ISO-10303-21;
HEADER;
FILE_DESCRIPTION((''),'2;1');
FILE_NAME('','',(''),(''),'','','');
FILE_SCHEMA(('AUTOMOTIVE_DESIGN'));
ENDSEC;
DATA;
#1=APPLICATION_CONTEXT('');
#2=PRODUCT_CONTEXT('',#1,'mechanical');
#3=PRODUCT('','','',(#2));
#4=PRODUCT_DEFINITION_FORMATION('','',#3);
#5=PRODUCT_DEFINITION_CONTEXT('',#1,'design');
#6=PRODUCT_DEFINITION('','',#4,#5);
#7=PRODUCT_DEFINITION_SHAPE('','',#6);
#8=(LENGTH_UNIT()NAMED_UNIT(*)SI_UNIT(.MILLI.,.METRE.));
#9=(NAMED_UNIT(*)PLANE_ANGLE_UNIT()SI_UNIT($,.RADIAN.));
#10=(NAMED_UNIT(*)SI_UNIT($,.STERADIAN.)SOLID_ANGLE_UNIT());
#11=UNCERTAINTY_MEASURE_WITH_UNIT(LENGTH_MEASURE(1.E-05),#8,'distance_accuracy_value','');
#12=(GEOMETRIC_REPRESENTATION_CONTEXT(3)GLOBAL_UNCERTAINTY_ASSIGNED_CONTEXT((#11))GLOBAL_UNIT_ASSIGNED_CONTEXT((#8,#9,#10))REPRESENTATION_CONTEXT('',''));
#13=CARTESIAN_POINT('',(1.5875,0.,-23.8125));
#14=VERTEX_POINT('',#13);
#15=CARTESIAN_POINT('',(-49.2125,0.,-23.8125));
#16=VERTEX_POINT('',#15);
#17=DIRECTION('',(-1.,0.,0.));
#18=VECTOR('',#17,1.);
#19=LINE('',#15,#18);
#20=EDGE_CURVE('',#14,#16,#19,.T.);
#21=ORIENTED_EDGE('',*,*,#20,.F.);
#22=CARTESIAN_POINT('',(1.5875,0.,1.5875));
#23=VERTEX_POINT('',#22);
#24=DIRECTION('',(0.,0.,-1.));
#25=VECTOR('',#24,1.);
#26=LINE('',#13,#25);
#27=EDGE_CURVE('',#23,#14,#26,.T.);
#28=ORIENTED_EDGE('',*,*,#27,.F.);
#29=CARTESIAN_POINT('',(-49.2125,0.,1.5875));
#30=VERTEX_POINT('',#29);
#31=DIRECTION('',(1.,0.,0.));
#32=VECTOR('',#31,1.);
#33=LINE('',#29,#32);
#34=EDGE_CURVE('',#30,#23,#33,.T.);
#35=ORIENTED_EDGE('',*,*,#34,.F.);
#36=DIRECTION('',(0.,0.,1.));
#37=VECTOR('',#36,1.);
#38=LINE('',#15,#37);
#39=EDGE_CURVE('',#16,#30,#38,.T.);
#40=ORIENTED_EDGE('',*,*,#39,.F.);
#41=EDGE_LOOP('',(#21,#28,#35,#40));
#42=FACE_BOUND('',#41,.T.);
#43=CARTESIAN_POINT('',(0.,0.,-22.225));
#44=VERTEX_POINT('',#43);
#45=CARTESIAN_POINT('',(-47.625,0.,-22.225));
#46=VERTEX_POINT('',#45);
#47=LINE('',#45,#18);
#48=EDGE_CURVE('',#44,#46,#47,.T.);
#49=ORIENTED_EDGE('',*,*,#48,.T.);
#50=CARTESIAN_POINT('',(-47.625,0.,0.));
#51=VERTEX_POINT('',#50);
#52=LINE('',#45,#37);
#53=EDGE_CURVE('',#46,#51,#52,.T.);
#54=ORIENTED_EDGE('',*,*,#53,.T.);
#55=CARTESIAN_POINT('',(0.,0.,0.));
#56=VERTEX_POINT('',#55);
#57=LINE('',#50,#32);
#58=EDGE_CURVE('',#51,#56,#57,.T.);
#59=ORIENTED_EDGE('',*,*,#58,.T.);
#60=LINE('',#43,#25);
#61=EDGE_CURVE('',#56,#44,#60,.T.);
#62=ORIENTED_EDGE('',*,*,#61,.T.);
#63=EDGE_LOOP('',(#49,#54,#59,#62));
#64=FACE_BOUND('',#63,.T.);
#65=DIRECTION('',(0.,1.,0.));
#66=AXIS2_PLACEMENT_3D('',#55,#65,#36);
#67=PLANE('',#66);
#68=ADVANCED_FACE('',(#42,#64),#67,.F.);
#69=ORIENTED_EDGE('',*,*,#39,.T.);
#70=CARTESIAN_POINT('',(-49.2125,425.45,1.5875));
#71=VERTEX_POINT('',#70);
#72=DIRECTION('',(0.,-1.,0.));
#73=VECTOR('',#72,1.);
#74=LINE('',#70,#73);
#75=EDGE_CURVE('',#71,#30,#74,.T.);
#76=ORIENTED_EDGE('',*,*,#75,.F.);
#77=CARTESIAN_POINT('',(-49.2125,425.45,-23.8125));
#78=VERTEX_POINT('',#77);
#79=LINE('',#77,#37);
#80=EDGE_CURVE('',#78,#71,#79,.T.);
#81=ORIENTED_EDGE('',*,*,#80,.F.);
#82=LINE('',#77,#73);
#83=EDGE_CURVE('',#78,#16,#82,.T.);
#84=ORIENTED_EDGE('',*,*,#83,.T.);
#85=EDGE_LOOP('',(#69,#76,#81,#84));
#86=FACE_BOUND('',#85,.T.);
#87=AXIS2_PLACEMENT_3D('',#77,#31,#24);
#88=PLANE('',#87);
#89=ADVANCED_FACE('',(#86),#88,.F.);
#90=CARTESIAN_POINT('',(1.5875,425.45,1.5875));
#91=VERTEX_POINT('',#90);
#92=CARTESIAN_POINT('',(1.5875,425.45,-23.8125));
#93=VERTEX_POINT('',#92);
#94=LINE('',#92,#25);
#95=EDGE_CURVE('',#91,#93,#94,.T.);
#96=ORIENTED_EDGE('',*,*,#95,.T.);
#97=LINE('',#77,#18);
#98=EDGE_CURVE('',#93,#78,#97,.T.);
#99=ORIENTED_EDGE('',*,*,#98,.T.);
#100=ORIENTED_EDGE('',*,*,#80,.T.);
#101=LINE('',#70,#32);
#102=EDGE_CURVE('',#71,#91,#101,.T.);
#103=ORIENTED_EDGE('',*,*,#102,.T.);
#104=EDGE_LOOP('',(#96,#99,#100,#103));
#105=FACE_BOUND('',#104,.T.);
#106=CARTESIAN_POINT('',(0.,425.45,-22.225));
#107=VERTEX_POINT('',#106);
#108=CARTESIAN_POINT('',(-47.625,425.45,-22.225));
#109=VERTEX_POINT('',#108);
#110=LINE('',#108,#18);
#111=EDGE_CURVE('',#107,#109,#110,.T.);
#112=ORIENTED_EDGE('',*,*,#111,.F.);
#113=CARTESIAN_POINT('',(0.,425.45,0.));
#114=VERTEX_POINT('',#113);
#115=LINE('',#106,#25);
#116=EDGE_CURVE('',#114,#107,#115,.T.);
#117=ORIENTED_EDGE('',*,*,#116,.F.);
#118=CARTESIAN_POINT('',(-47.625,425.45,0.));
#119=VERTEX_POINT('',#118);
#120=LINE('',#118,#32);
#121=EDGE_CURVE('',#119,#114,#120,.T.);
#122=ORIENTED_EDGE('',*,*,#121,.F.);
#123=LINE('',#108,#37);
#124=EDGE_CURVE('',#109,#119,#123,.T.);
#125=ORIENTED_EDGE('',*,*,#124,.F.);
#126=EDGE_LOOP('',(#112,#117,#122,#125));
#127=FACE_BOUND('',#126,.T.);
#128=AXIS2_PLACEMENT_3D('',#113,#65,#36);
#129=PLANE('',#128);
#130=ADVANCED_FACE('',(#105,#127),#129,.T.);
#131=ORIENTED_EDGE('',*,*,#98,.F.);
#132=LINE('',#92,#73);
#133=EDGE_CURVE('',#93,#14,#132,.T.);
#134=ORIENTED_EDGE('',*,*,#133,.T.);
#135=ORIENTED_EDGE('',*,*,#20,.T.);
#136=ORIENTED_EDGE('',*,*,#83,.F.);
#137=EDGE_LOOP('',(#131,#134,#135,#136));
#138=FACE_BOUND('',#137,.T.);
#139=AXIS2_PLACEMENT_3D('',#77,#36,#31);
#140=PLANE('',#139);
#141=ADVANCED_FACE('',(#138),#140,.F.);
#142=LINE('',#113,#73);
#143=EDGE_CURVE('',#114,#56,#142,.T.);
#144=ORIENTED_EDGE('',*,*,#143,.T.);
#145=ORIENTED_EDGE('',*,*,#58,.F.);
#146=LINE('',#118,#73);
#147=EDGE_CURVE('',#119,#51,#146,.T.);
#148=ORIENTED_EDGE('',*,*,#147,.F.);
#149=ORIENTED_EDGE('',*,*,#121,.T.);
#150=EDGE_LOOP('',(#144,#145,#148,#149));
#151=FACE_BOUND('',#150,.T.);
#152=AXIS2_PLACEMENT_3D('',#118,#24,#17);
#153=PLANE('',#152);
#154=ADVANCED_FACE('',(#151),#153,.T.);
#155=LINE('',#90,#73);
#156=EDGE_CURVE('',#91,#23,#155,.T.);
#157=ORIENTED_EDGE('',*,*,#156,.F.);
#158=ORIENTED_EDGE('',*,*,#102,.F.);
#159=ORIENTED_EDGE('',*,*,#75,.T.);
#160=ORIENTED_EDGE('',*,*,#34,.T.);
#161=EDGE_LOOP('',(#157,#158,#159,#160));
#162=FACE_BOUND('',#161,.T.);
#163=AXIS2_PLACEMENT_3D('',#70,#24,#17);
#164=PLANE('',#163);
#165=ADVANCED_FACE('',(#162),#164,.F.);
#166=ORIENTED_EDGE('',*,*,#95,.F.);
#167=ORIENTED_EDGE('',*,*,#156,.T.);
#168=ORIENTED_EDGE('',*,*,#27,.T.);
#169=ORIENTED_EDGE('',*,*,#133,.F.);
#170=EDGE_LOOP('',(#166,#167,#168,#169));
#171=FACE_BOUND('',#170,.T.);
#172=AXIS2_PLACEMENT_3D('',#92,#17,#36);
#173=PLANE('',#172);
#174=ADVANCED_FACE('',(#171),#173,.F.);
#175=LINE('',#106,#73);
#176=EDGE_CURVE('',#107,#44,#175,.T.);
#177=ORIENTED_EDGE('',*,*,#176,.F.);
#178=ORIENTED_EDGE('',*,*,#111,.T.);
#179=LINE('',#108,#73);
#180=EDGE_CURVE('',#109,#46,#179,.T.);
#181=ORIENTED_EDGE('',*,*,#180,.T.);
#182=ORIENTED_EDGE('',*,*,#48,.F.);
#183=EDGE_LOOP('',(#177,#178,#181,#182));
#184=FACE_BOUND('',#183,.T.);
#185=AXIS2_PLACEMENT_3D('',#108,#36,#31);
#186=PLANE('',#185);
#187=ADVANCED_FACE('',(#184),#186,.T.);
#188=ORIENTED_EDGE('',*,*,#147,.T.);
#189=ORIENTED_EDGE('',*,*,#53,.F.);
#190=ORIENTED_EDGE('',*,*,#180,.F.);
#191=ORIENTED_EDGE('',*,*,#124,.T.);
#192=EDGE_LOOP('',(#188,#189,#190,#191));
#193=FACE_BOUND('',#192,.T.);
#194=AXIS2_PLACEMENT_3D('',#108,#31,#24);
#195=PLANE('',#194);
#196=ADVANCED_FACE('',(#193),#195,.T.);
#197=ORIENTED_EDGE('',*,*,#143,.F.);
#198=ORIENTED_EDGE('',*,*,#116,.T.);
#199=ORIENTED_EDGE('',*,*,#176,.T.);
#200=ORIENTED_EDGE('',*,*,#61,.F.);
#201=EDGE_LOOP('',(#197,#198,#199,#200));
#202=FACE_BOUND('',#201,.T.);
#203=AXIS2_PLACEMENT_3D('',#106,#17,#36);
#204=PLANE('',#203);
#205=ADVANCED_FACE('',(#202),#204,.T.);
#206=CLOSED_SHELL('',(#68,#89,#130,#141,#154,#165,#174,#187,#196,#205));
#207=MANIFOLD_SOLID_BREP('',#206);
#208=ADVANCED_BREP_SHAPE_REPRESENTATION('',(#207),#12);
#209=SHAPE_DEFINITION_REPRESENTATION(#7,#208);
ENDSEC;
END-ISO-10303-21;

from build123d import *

# Parameters (mm, degrees)
SKETCH1_W           = 50.8
SKETCH1_H           = 25.4
SKETCH1_W_2         = 47.625
SKETCH1_H_2         = 22.225
BOSS_EXTRUDE1_DEPTH = 425.45


with BuildPart() as part:
    # Sketch1 → Boss-Extrude1 (new body)
    with BuildSketch(Plane(origin=(0, 0, 0), x_dir=(1, 0, 0), z_dir=(0, 1, 0))):
        with Locations((-23.8125, 11.1125)):
            Rectangle(SKETCH1_W, SKETCH1_H)
        with Locations((-23.8125, 11.1125)):
            Rectangle(SKETCH1_W_2, SKETCH1_H_2, mode=Mode.SUBTRACT)
    extrude(amount=BOSS_EXTRUDE1_DEPTH)


solid = part.part
